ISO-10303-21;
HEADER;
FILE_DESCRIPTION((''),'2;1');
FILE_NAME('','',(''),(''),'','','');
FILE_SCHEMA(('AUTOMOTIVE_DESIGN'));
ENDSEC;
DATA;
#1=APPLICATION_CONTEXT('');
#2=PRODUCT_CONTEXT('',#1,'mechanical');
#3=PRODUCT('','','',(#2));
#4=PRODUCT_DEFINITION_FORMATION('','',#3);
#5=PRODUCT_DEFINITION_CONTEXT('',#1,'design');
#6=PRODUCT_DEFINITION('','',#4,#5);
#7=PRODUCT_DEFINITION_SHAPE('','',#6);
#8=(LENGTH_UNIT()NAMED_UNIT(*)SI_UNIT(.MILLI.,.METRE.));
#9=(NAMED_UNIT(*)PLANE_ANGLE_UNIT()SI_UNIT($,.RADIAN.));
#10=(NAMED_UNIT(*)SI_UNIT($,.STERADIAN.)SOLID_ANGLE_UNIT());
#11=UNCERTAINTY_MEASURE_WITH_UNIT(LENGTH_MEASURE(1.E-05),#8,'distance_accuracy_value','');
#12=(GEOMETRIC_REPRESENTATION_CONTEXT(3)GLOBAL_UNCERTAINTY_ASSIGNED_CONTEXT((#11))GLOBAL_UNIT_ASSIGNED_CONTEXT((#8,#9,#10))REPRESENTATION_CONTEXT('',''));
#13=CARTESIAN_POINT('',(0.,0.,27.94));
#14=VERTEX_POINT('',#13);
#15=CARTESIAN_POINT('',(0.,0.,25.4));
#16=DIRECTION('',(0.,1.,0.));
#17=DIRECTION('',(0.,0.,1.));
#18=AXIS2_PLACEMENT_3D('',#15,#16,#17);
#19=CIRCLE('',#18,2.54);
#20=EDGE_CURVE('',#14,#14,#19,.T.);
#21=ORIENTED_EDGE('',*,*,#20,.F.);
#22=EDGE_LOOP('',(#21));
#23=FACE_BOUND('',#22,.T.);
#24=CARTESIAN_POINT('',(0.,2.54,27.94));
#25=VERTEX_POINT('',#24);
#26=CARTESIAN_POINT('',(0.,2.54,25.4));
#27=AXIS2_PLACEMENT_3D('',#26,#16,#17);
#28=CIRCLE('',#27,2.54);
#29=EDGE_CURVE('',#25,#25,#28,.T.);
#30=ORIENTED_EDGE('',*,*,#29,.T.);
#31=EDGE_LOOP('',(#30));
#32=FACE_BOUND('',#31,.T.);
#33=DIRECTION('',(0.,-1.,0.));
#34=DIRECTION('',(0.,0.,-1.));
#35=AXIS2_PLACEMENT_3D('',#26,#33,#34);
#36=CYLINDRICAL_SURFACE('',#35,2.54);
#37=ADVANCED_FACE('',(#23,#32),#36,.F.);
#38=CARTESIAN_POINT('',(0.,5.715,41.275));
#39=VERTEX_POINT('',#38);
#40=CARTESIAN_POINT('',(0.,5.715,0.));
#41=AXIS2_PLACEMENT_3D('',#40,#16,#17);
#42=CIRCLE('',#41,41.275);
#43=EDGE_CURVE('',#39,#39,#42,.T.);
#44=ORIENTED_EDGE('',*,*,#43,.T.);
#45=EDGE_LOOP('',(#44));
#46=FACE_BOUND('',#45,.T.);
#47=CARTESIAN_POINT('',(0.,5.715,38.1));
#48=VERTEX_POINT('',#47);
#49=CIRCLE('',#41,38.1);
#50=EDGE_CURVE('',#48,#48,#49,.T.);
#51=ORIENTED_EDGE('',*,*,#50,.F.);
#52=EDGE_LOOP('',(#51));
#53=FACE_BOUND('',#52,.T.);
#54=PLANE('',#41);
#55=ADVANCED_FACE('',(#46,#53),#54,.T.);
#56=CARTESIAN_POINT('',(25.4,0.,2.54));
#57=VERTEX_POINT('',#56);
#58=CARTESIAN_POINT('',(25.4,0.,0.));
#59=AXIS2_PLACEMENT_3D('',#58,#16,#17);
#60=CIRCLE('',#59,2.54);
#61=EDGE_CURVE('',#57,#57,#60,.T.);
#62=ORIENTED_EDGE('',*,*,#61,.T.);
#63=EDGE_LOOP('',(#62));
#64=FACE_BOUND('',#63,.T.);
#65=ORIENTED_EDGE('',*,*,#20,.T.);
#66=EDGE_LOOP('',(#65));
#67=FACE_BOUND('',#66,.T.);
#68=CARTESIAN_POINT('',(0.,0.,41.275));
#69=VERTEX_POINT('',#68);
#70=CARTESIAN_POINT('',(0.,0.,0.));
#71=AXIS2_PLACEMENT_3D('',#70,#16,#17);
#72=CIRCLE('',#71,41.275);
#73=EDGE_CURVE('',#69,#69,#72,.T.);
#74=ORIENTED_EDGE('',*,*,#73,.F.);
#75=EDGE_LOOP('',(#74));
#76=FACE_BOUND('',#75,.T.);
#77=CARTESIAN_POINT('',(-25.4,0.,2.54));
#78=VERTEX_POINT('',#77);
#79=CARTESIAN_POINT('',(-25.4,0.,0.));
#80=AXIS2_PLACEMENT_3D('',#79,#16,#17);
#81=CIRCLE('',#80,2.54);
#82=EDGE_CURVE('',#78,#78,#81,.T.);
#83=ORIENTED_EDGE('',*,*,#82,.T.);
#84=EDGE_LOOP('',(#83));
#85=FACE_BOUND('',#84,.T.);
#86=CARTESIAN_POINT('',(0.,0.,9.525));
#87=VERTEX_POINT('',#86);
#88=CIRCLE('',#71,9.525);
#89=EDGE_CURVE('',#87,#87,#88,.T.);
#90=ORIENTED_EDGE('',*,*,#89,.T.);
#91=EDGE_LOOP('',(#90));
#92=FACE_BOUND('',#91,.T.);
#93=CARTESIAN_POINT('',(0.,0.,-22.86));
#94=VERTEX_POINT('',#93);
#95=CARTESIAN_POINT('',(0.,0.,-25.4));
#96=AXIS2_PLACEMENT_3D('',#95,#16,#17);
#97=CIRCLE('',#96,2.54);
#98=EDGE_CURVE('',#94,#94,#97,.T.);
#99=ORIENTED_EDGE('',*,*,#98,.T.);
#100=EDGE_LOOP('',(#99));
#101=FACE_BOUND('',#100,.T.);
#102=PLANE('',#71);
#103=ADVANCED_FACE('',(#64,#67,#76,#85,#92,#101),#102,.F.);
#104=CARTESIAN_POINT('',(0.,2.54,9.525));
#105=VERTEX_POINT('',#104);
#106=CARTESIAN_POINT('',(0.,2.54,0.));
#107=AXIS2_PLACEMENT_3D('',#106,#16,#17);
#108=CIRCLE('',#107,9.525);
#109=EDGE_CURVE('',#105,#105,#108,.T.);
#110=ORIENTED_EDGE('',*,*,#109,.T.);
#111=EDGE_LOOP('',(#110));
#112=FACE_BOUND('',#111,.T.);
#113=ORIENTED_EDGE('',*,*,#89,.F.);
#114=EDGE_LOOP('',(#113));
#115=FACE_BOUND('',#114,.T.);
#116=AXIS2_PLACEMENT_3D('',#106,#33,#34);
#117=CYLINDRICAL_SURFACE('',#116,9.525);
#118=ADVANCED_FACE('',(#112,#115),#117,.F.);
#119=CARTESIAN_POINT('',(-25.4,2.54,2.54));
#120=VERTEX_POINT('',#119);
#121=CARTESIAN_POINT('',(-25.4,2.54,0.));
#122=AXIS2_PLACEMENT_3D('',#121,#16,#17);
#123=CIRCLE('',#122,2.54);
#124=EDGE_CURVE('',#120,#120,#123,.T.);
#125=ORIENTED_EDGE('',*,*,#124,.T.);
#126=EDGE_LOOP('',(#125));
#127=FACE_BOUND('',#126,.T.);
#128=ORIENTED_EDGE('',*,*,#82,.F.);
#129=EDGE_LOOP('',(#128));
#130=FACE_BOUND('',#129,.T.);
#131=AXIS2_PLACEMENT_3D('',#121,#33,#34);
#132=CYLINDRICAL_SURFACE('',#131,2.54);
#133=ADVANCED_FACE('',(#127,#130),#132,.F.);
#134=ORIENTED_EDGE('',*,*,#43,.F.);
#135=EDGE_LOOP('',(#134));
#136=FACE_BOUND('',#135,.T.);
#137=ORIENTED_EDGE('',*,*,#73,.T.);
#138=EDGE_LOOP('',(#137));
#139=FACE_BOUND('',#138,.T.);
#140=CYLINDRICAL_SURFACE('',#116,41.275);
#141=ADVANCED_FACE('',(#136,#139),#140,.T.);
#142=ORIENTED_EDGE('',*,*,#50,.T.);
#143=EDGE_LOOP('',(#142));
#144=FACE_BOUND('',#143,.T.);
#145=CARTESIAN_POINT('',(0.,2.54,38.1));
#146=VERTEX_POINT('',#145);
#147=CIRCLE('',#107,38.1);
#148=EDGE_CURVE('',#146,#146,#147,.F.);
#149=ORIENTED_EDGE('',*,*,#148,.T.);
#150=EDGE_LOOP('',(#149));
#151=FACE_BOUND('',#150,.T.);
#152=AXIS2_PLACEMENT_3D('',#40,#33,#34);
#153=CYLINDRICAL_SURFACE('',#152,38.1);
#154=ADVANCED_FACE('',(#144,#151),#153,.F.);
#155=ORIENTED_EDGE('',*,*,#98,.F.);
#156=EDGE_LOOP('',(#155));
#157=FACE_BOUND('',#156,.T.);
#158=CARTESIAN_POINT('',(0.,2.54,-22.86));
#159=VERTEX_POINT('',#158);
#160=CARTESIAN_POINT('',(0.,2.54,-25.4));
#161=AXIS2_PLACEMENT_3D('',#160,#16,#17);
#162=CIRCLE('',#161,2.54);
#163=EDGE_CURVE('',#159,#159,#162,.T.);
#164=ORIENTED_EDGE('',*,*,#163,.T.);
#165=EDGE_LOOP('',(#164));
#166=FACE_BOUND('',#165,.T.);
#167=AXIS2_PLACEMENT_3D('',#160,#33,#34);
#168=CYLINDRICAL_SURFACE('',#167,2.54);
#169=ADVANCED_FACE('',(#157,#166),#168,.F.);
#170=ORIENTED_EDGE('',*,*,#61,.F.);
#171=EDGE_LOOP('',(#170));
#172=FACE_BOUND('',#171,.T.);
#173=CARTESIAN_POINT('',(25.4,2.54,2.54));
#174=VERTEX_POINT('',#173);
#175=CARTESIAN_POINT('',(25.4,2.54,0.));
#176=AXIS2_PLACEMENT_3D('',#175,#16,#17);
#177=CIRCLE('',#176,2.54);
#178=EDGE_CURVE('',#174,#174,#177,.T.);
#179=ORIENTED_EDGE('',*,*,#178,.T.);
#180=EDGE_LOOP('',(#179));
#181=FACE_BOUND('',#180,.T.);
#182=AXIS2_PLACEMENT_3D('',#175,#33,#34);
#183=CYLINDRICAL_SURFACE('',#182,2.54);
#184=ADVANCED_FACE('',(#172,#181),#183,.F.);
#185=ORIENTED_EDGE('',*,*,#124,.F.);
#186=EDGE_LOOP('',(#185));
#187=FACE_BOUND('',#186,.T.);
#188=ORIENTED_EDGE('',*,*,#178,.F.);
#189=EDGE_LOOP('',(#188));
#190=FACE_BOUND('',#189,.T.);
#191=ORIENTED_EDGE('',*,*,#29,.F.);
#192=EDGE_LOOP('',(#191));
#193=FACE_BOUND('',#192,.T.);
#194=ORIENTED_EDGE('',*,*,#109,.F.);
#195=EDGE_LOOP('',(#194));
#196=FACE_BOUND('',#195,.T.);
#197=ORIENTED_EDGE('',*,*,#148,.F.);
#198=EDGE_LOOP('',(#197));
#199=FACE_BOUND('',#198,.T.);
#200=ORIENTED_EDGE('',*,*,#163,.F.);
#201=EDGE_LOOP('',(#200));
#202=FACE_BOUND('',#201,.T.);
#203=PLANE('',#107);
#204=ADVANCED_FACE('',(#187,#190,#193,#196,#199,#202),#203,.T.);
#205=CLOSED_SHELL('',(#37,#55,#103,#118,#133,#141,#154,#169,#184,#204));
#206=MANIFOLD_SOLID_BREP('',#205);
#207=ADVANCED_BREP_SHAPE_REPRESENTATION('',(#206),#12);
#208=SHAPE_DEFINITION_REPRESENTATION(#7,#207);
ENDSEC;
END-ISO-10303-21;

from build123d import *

# Parameters (mm, degrees)
SKETCH1_R        = 41.275
SKETCH1_R_2      = 38.1
SKETCH1_R_3      = 2.54
SKETCH1_R_4      = 9.525
BASE_DEPTH       = 2.54
SKETCH2_R        = 41.275
SKETCH2_R_2      = 38.1
FRONT_WALL_DEPTH = 3.175


with BuildPart() as part:
    # Sketch1 → base (new body)
    with BuildSketch(Plane(origin=(0, 0, 0), x_dir=(1, 0, 0), z_dir=(0, 1, 0))):
        with Locations(Location((0, 0, 0), (0, 0, 270))):
            Circle(SKETCH1_R)
        Circle(SKETCH1_R_2, mode=Mode.SUBTRACT)
        Circle(SKETCH1_R_2)
        with Locations(Location((-25.4, 0, 0), (0, 0, 270))):
            Circle(SKETCH1_R_3, mode=Mode.SUBTRACT)
        with Locations(Location((0, -25.4, 0), (0, 0, 270))):
            Circle(SKETCH1_R_3, mode=Mode.SUBTRACT)
        with Locations(Location((25.4, 0, 0), (0, 0, 270))):
            Circle(SKETCH1_R_3, mode=Mode.SUBTRACT)
        with Locations(Location((0, 25.4, 0), (0, 0, 270))):
            Circle(SKETCH1_R_3, mode=Mode.SUBTRACT)
        with Locations(Location((0, 0, 0), (0, 0, 270))):
            Circle(SKETCH1_R_4, mode=Mode.SUBTRACT)
    extrude(amount=BASE_DEPTH)

    # Sketch2 → front wall (add)
    with BuildSketch(Plane(origin=(0, 2.54, 0), x_dir=(1, 0, 0), z_dir=(0, 1, 0))):
        with Locations(Location((0, 0, 0), (0, 0, 270))):
            Circle(SKETCH2_R)
        with Locations(Location((0, 0, 0), (0, 0, 270))):
            Circle(SKETCH2_R_2, mode=Mode.SUBTRACT)
    extrude(amount=FRONT_WALL_DEPTH)


solid = part.part
